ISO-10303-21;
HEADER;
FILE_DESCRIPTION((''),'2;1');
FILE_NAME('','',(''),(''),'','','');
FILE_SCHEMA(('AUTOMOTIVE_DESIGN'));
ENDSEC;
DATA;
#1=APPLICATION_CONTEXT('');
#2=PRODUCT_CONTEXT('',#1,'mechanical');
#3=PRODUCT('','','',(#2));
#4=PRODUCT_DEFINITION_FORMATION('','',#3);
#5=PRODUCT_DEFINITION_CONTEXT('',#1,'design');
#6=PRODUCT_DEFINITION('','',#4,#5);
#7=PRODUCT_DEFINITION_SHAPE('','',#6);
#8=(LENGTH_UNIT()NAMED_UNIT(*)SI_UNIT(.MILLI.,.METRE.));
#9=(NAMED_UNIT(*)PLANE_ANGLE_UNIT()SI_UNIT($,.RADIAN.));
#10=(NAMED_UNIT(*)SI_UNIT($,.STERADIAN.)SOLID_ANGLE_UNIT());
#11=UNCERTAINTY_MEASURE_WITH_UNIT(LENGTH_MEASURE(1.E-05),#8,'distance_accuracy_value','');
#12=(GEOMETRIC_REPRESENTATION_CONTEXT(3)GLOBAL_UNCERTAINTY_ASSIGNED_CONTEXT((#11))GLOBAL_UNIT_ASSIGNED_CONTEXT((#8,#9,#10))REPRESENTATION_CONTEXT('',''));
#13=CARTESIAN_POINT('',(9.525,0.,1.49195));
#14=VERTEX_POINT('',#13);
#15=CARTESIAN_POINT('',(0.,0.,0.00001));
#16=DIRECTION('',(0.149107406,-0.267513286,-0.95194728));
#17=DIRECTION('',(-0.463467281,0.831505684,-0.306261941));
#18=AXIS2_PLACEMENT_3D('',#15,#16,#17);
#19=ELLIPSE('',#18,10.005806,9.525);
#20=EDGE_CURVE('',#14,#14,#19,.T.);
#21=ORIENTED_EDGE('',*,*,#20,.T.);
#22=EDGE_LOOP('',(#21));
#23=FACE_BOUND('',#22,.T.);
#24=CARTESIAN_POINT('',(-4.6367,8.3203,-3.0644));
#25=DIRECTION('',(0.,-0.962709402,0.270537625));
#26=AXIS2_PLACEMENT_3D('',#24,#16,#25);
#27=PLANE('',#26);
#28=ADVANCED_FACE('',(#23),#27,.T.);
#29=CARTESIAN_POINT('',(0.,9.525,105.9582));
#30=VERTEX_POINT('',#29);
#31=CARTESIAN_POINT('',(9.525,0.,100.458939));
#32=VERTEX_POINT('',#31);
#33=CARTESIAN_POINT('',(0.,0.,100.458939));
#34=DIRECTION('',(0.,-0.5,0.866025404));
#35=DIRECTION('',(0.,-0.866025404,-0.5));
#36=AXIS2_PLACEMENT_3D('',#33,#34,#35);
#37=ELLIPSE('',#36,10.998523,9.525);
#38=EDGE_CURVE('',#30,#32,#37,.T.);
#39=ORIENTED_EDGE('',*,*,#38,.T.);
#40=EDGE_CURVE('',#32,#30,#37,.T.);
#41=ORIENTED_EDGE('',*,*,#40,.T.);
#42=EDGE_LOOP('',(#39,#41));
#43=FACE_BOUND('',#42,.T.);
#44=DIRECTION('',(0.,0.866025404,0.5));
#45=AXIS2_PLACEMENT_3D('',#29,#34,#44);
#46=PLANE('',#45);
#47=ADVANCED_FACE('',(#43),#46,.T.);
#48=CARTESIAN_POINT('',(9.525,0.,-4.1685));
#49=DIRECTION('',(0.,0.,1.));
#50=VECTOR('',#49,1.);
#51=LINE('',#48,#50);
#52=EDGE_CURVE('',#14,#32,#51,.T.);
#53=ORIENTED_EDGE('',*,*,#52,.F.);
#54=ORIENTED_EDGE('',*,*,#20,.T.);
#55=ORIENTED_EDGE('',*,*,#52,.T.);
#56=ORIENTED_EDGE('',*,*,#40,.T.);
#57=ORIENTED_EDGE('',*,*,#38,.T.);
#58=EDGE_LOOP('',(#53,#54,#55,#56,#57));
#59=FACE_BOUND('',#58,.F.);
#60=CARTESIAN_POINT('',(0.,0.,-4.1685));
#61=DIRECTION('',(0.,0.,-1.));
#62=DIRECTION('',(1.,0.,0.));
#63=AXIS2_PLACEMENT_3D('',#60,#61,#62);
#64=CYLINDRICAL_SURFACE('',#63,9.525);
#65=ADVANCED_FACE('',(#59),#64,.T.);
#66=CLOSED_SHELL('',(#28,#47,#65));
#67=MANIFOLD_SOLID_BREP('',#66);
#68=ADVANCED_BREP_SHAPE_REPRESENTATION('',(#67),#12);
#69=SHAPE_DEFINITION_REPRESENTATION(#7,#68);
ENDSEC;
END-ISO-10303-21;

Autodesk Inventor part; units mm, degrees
ref_plane "Start Plane" through (0, 0, -4.1685) normal (0, 0, 1) x (1, 0, 0)
ref_plane "End Plane" through (0, 0, 105.9582) normal (0, 0, 1) x (1, 0, 0)
sketch "Sketch" plane through (0, 0, 0) normal (0, 0, 1) x (1, 0, 0)
  circle A0 centre (0, 0) radius 9.525
  dimension "d0" = 19.05
extrude "Body" add sketch "Sketch" along normal up to surface (110.1267 mm away) from surface at -4.1685
sketch "Sketch2" plane through (0, 0, 0) normal (0, 0, 1) x (1, 0, 0)
  line L0 (0, 0) -> (10, 0)
ref_plane "Work Plane3" through (0, 0, 0) normal (0, -1, 0) x (1, 0, 0)
ref_plane "Work Plane4" through (0, 9.525, 105.9582) normal (0, -0.5, 0.866) x (1, 0, 0)
split "Split1" plane through (0, 9.525, 105.9582) removes the side toward (0, -0.5, 0.866)
ref_plane "Work Plane5" through (-4.6367, 8.3203, -3.0644) normal (0.1491, -0.2675, -0.9519) x (0.5375, 0.83, -0.1491)
split "Split2" plane through (-4.6367, 8.3203, -3.0644) removes the side toward (0.1491, -0.2675, -0.9519)
sketch "Sketch3" plane through (0, 0, 0) normal (0, -1, 0) x (1, 0, 0)
  line L0 (-2, -4.1685) -> (12, -4.1685) projected
  line L1 (-2, 105.9582) -> (12, 105.9582) projected
  dimension "d7" = 110.1267
equation "\"d0\" = Diam"
equation "\"d1\" = G_L"
equation "\"Diam\" = 19.05"
equation "\"G_L\" = 109.02261"
equation "\"G_OFFSET_START\" = 4.16853"
equation "\"G_OFFSET_END\" = 5.49926"
equation "\"d4\" = -G_OFFSET_START"
equation "\"d5\" = G_OFFSET_END + B_L"
equation "\"B_L\" = 100.45895"
properties part number "ANSI/AISC Rolled Steel - 3/4-4.292, RB" material "Steel, Mild"
